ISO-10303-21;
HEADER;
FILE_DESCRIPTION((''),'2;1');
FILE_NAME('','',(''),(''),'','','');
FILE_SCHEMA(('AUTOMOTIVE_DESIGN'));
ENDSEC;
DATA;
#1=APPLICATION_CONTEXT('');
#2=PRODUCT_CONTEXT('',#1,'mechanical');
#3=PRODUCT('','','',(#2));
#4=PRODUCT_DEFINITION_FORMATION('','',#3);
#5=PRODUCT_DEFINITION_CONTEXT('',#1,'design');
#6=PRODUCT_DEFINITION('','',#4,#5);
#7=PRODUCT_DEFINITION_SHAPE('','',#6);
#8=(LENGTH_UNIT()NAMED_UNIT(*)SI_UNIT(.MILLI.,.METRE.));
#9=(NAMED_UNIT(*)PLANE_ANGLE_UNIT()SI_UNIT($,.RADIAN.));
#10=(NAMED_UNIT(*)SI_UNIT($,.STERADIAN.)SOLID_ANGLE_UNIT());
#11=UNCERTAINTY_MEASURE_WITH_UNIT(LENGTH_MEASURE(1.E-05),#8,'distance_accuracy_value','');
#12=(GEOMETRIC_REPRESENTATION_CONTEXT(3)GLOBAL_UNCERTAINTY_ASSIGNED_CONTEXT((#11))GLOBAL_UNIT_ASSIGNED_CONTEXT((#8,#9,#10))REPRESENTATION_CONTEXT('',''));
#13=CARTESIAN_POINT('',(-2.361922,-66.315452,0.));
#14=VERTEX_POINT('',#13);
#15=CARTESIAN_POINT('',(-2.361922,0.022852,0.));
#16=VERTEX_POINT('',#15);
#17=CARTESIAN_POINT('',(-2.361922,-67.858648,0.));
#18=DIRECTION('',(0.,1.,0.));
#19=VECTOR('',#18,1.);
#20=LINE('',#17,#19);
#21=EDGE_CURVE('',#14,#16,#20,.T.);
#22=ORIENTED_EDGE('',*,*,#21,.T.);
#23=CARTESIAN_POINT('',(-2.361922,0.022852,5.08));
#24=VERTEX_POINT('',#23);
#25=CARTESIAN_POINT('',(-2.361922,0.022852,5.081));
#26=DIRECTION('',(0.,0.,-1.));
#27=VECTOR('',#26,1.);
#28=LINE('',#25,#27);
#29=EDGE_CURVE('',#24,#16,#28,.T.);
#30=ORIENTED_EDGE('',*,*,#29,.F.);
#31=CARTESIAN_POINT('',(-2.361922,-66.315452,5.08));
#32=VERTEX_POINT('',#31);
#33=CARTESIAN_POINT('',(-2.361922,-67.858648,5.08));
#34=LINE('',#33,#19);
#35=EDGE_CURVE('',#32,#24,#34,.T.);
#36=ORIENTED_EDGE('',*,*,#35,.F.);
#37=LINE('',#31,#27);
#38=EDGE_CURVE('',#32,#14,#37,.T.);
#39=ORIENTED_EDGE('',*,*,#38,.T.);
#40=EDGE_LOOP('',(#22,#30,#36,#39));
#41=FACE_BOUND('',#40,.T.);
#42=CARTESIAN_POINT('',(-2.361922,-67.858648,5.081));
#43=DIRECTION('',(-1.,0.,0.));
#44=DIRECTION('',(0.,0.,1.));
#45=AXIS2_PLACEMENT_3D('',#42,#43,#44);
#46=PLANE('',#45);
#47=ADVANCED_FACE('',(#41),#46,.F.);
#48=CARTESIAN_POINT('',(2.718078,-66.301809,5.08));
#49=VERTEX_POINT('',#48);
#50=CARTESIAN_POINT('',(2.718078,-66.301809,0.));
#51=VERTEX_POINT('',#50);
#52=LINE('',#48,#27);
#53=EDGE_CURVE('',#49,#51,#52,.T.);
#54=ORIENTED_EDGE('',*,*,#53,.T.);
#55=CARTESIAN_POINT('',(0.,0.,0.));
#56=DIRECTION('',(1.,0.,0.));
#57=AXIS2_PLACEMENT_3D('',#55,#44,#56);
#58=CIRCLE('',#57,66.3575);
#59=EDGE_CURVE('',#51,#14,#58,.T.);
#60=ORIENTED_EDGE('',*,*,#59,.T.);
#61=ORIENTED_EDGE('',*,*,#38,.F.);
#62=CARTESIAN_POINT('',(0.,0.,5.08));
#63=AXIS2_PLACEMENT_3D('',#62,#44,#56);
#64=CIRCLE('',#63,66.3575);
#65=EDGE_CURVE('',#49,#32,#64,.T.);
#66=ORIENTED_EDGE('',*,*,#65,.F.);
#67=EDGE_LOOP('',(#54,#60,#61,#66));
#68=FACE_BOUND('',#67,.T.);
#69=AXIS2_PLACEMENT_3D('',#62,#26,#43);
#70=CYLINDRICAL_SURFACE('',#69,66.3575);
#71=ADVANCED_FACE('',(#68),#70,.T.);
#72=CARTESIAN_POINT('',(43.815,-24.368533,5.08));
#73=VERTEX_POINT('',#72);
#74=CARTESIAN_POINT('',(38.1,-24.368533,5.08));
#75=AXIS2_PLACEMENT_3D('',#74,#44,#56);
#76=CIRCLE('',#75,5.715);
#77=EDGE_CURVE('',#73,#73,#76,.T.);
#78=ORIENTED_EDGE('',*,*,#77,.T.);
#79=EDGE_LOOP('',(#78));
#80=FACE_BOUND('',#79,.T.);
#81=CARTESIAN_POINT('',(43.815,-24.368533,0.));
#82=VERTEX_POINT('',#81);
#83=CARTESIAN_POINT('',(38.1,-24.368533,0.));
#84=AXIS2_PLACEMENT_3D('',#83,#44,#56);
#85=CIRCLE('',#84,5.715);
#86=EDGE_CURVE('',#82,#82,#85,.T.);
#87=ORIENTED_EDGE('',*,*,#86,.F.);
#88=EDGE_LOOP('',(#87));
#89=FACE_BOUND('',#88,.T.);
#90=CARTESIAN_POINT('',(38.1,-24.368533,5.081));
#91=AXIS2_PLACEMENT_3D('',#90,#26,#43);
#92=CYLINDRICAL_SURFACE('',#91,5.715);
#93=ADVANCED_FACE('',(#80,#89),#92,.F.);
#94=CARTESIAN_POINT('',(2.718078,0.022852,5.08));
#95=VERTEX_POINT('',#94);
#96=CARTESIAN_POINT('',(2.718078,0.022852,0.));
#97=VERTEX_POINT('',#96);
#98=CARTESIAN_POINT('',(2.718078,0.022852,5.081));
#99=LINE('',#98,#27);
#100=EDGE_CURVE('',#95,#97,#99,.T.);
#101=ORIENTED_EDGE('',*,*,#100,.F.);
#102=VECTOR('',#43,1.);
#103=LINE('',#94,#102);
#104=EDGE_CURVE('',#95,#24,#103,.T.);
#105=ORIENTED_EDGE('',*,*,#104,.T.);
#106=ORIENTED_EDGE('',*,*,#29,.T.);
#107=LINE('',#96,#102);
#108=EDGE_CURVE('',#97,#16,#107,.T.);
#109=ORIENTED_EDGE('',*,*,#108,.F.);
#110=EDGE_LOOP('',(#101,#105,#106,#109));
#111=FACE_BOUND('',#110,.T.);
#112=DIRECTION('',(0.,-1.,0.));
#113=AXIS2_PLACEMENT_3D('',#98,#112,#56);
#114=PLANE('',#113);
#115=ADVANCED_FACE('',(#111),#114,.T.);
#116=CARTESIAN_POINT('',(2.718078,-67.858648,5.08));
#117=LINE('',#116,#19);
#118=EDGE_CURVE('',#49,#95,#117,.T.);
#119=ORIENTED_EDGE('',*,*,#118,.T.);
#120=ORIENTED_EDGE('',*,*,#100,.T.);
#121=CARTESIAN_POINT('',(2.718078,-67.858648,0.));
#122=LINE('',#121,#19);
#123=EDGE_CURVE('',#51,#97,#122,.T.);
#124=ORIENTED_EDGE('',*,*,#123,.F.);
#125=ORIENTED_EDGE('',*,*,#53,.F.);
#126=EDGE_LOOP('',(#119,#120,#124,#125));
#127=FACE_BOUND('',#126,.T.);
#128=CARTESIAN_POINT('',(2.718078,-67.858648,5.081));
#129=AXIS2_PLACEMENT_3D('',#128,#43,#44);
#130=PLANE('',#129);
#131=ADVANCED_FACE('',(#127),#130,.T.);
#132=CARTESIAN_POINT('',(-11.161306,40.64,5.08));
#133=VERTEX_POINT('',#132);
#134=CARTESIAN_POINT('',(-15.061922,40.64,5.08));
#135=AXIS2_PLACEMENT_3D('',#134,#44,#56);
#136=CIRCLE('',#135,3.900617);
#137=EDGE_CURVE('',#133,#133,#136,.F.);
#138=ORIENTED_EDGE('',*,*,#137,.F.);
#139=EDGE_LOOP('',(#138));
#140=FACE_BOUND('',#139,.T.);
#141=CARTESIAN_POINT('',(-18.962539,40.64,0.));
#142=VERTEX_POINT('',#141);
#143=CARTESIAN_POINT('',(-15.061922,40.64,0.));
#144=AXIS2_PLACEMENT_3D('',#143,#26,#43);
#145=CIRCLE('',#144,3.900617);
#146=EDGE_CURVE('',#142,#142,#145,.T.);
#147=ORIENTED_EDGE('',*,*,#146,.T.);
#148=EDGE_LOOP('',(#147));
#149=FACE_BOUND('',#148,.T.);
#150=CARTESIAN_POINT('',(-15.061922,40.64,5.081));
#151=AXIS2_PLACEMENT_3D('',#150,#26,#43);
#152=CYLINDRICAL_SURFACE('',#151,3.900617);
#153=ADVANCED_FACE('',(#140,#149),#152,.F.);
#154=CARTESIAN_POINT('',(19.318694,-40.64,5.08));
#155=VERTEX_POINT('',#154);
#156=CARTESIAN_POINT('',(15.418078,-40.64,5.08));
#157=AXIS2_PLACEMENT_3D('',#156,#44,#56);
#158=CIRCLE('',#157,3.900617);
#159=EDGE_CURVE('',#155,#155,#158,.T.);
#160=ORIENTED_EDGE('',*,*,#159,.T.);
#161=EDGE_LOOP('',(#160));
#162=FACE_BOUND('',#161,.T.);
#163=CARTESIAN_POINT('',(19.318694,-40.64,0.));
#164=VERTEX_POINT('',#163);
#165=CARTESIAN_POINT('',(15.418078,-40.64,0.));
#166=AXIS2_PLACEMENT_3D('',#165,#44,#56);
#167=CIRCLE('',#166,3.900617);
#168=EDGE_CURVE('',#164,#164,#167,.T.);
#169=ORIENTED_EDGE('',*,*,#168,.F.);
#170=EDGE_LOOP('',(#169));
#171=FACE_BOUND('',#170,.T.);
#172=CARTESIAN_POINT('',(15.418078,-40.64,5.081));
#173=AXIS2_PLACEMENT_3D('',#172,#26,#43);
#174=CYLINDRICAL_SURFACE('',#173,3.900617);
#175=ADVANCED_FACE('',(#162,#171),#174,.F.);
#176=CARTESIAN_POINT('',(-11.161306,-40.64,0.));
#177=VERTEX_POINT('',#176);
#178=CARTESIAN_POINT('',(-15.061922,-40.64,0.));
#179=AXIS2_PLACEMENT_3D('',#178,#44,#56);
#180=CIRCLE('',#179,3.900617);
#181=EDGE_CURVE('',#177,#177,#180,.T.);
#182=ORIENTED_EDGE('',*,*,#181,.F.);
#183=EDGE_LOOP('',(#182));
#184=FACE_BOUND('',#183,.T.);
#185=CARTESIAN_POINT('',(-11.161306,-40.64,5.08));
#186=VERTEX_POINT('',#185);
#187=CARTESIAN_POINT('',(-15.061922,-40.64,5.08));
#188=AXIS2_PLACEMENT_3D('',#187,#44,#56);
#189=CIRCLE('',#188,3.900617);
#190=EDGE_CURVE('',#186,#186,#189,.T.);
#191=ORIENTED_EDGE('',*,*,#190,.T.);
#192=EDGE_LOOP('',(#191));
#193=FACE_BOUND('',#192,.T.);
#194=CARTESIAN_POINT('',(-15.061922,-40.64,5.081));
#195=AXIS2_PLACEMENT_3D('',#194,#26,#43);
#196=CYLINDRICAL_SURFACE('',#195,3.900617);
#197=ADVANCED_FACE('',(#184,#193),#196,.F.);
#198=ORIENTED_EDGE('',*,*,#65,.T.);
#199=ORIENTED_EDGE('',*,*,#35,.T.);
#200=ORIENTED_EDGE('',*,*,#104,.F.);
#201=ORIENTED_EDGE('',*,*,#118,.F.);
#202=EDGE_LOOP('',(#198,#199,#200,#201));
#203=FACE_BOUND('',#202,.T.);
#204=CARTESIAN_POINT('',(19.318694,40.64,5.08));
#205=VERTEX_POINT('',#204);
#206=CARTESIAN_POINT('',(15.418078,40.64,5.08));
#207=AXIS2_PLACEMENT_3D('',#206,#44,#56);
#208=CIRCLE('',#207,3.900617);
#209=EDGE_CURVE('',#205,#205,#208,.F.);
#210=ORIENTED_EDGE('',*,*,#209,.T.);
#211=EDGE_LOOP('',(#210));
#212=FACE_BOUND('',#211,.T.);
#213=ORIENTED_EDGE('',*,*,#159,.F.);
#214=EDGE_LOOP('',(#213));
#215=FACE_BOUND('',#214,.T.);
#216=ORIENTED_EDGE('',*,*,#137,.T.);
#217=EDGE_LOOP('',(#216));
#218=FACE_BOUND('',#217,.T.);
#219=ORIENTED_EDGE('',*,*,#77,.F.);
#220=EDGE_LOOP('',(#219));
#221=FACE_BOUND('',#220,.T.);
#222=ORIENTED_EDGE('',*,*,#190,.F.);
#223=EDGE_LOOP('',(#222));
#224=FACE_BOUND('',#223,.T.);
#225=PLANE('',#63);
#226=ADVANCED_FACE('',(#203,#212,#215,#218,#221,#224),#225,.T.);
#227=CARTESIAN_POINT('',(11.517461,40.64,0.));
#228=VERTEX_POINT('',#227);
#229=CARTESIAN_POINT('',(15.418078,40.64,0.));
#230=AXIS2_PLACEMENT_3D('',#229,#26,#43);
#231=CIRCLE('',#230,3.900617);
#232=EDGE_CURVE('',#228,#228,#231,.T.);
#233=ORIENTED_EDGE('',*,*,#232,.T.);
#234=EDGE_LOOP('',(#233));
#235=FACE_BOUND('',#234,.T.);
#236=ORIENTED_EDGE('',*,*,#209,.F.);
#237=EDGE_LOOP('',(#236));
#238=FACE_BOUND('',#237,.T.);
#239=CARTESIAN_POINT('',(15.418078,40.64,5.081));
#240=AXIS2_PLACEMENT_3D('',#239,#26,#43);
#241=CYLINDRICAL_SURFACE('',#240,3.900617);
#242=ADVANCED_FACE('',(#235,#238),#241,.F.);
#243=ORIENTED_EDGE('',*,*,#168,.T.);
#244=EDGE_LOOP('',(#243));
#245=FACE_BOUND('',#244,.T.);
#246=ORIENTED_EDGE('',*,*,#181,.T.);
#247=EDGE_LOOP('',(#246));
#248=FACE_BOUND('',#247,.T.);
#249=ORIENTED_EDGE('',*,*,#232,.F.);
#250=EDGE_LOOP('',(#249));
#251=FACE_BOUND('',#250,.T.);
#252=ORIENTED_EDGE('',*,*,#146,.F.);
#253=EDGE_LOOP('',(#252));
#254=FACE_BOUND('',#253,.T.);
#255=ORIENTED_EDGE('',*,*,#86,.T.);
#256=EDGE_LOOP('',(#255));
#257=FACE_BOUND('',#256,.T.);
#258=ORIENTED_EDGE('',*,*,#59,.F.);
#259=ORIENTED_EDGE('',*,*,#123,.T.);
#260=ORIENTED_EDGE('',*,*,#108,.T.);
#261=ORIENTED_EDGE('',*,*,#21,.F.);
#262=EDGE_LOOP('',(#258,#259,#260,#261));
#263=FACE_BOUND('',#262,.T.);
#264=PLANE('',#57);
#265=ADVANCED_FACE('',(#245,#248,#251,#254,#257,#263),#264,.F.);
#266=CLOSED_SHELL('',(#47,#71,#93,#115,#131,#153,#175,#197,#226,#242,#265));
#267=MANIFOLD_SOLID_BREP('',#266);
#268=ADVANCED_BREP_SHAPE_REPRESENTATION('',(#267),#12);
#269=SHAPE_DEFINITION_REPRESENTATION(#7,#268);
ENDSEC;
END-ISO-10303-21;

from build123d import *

# Parameters (mm, degrees)
SKETCH1_R           = 66.3575
BOSS_EXTRUDE1_DEPTH = 5.08
CUT_EXTRUDE2_REACH  = 95.981
SKETCH3_R           = 3.900616975
SKETCH3_R_2         = 5.715
SKETCH3_W           = 5.08
SKETCH3_H           = 67.8815


with BuildPart() as part:
    # Sketch1 → Boss-Extrude1 (new body)
    with BuildSketch(Plane.XY):
        Circle(SKETCH1_R)
    extrude(amount=BOSS_EXTRUDE1_DEPTH)

    # Sketch3 → Cut-Extrude2 (cut, up to next)
    with BuildSketch(Plane.XY, mode=Mode.PRIVATE) as cut_extrude2_sk1:
        with Locations((-15.06192248, -40.64)):
            Circle(SKETCH3_R)
    cut_extrude2_tool1 = extrude(cut_extrude2_sk1.sketch, amount=CUT_EXTRUDE2_REACH, mode=Mode.PRIVATE) & part.part
    # Sketch3 → Cut-Extrude2 (cut, up to next)
    with BuildSketch(Plane.XY, mode=Mode.PRIVATE) as cut_extrude2_sk2:
        with Locations((15.41807752, -40.64)):
            Circle(SKETCH3_R)
    cut_extrude2_tool2 = extrude(cut_extrude2_sk2.sketch, amount=CUT_EXTRUDE2_REACH, mode=Mode.PRIVATE) & part.part
    # Sketch3 → Cut-Extrude2 (cut, up to next)
    with BuildSketch(Plane.XY, mode=Mode.PRIVATE) as cut_extrude2_sk3:
        with Locations(Location((15.41807752, 40.64, 0), (0, 0, 180))):
            Circle(SKETCH3_R)
    cut_extrude2_tool3 = extrude(cut_extrude2_sk3.sketch, amount=CUT_EXTRUDE2_REACH, mode=Mode.PRIVATE) & part.part
    # Sketch3 → Cut-Extrude2 (cut, up to next)
    with BuildSketch(Plane.XY, mode=Mode.PRIVATE) as cut_extrude2_sk4:
        with Locations(Location((-15.06192248, 40.64, 0), (0, 0, 180))):
            Circle(SKETCH3_R)
    cut_extrude2_tool4 = extrude(cut_extrude2_sk4.sketch, amount=CUT_EXTRUDE2_REACH, mode=Mode.PRIVATE) & part.part
    # Sketch3 → Cut-Extrude2 (cut, up to next)
    with BuildSketch(Plane.XY, mode=Mode.PRIVATE) as cut_extrude2_sk5:
        with Locations((38.1, -24.368533315)):
            Circle(SKETCH3_R_2)
    cut_extrude2_tool5 = extrude(cut_extrude2_sk5.sketch, amount=CUT_EXTRUDE2_REACH, mode=Mode.PRIVATE) & part.part
    # Sketch3 → Cut-Extrude2 (cut, up to next)
    with BuildSketch(Plane.XY, mode=Mode.PRIVATE) as cut_extrude2_sk6:
        with Locations((0.17807752, -33.91789821)):
            Rectangle(SKETCH3_W, SKETCH3_H)
    cut_extrude2_tool6 = extrude(cut_extrude2_sk6.sketch, amount=CUT_EXTRUDE2_REACH, mode=Mode.PRIVATE) & part.part
    add(cut_extrude2_tool1.solids().sort_by_distance((-15.061922, -40.64, 0))[0], mode=Mode.SUBTRACT)
    add(cut_extrude2_tool2.solids().sort_by_distance((15.418078, -40.64, 0))[0], mode=Mode.SUBTRACT)
    add(cut_extrude2_tool3.solids().sort_by_distance((15.418078, 40.64, 0))[0], mode=Mode.SUBTRACT)
    add(cut_extrude2_tool4.solids().sort_by_distance((-15.061922, 40.64, 0))[0], mode=Mode.SUBTRACT)
    add(cut_extrude2_tool5.solids().sort_by_distance((38.1, -24.368533, 0))[0], mode=Mode.SUBTRACT)
    add(cut_extrude2_tool6.solids().sort_by_distance((0.178078, -33.917898, 0))[0], mode=Mode.SUBTRACT)


solid = part.part
